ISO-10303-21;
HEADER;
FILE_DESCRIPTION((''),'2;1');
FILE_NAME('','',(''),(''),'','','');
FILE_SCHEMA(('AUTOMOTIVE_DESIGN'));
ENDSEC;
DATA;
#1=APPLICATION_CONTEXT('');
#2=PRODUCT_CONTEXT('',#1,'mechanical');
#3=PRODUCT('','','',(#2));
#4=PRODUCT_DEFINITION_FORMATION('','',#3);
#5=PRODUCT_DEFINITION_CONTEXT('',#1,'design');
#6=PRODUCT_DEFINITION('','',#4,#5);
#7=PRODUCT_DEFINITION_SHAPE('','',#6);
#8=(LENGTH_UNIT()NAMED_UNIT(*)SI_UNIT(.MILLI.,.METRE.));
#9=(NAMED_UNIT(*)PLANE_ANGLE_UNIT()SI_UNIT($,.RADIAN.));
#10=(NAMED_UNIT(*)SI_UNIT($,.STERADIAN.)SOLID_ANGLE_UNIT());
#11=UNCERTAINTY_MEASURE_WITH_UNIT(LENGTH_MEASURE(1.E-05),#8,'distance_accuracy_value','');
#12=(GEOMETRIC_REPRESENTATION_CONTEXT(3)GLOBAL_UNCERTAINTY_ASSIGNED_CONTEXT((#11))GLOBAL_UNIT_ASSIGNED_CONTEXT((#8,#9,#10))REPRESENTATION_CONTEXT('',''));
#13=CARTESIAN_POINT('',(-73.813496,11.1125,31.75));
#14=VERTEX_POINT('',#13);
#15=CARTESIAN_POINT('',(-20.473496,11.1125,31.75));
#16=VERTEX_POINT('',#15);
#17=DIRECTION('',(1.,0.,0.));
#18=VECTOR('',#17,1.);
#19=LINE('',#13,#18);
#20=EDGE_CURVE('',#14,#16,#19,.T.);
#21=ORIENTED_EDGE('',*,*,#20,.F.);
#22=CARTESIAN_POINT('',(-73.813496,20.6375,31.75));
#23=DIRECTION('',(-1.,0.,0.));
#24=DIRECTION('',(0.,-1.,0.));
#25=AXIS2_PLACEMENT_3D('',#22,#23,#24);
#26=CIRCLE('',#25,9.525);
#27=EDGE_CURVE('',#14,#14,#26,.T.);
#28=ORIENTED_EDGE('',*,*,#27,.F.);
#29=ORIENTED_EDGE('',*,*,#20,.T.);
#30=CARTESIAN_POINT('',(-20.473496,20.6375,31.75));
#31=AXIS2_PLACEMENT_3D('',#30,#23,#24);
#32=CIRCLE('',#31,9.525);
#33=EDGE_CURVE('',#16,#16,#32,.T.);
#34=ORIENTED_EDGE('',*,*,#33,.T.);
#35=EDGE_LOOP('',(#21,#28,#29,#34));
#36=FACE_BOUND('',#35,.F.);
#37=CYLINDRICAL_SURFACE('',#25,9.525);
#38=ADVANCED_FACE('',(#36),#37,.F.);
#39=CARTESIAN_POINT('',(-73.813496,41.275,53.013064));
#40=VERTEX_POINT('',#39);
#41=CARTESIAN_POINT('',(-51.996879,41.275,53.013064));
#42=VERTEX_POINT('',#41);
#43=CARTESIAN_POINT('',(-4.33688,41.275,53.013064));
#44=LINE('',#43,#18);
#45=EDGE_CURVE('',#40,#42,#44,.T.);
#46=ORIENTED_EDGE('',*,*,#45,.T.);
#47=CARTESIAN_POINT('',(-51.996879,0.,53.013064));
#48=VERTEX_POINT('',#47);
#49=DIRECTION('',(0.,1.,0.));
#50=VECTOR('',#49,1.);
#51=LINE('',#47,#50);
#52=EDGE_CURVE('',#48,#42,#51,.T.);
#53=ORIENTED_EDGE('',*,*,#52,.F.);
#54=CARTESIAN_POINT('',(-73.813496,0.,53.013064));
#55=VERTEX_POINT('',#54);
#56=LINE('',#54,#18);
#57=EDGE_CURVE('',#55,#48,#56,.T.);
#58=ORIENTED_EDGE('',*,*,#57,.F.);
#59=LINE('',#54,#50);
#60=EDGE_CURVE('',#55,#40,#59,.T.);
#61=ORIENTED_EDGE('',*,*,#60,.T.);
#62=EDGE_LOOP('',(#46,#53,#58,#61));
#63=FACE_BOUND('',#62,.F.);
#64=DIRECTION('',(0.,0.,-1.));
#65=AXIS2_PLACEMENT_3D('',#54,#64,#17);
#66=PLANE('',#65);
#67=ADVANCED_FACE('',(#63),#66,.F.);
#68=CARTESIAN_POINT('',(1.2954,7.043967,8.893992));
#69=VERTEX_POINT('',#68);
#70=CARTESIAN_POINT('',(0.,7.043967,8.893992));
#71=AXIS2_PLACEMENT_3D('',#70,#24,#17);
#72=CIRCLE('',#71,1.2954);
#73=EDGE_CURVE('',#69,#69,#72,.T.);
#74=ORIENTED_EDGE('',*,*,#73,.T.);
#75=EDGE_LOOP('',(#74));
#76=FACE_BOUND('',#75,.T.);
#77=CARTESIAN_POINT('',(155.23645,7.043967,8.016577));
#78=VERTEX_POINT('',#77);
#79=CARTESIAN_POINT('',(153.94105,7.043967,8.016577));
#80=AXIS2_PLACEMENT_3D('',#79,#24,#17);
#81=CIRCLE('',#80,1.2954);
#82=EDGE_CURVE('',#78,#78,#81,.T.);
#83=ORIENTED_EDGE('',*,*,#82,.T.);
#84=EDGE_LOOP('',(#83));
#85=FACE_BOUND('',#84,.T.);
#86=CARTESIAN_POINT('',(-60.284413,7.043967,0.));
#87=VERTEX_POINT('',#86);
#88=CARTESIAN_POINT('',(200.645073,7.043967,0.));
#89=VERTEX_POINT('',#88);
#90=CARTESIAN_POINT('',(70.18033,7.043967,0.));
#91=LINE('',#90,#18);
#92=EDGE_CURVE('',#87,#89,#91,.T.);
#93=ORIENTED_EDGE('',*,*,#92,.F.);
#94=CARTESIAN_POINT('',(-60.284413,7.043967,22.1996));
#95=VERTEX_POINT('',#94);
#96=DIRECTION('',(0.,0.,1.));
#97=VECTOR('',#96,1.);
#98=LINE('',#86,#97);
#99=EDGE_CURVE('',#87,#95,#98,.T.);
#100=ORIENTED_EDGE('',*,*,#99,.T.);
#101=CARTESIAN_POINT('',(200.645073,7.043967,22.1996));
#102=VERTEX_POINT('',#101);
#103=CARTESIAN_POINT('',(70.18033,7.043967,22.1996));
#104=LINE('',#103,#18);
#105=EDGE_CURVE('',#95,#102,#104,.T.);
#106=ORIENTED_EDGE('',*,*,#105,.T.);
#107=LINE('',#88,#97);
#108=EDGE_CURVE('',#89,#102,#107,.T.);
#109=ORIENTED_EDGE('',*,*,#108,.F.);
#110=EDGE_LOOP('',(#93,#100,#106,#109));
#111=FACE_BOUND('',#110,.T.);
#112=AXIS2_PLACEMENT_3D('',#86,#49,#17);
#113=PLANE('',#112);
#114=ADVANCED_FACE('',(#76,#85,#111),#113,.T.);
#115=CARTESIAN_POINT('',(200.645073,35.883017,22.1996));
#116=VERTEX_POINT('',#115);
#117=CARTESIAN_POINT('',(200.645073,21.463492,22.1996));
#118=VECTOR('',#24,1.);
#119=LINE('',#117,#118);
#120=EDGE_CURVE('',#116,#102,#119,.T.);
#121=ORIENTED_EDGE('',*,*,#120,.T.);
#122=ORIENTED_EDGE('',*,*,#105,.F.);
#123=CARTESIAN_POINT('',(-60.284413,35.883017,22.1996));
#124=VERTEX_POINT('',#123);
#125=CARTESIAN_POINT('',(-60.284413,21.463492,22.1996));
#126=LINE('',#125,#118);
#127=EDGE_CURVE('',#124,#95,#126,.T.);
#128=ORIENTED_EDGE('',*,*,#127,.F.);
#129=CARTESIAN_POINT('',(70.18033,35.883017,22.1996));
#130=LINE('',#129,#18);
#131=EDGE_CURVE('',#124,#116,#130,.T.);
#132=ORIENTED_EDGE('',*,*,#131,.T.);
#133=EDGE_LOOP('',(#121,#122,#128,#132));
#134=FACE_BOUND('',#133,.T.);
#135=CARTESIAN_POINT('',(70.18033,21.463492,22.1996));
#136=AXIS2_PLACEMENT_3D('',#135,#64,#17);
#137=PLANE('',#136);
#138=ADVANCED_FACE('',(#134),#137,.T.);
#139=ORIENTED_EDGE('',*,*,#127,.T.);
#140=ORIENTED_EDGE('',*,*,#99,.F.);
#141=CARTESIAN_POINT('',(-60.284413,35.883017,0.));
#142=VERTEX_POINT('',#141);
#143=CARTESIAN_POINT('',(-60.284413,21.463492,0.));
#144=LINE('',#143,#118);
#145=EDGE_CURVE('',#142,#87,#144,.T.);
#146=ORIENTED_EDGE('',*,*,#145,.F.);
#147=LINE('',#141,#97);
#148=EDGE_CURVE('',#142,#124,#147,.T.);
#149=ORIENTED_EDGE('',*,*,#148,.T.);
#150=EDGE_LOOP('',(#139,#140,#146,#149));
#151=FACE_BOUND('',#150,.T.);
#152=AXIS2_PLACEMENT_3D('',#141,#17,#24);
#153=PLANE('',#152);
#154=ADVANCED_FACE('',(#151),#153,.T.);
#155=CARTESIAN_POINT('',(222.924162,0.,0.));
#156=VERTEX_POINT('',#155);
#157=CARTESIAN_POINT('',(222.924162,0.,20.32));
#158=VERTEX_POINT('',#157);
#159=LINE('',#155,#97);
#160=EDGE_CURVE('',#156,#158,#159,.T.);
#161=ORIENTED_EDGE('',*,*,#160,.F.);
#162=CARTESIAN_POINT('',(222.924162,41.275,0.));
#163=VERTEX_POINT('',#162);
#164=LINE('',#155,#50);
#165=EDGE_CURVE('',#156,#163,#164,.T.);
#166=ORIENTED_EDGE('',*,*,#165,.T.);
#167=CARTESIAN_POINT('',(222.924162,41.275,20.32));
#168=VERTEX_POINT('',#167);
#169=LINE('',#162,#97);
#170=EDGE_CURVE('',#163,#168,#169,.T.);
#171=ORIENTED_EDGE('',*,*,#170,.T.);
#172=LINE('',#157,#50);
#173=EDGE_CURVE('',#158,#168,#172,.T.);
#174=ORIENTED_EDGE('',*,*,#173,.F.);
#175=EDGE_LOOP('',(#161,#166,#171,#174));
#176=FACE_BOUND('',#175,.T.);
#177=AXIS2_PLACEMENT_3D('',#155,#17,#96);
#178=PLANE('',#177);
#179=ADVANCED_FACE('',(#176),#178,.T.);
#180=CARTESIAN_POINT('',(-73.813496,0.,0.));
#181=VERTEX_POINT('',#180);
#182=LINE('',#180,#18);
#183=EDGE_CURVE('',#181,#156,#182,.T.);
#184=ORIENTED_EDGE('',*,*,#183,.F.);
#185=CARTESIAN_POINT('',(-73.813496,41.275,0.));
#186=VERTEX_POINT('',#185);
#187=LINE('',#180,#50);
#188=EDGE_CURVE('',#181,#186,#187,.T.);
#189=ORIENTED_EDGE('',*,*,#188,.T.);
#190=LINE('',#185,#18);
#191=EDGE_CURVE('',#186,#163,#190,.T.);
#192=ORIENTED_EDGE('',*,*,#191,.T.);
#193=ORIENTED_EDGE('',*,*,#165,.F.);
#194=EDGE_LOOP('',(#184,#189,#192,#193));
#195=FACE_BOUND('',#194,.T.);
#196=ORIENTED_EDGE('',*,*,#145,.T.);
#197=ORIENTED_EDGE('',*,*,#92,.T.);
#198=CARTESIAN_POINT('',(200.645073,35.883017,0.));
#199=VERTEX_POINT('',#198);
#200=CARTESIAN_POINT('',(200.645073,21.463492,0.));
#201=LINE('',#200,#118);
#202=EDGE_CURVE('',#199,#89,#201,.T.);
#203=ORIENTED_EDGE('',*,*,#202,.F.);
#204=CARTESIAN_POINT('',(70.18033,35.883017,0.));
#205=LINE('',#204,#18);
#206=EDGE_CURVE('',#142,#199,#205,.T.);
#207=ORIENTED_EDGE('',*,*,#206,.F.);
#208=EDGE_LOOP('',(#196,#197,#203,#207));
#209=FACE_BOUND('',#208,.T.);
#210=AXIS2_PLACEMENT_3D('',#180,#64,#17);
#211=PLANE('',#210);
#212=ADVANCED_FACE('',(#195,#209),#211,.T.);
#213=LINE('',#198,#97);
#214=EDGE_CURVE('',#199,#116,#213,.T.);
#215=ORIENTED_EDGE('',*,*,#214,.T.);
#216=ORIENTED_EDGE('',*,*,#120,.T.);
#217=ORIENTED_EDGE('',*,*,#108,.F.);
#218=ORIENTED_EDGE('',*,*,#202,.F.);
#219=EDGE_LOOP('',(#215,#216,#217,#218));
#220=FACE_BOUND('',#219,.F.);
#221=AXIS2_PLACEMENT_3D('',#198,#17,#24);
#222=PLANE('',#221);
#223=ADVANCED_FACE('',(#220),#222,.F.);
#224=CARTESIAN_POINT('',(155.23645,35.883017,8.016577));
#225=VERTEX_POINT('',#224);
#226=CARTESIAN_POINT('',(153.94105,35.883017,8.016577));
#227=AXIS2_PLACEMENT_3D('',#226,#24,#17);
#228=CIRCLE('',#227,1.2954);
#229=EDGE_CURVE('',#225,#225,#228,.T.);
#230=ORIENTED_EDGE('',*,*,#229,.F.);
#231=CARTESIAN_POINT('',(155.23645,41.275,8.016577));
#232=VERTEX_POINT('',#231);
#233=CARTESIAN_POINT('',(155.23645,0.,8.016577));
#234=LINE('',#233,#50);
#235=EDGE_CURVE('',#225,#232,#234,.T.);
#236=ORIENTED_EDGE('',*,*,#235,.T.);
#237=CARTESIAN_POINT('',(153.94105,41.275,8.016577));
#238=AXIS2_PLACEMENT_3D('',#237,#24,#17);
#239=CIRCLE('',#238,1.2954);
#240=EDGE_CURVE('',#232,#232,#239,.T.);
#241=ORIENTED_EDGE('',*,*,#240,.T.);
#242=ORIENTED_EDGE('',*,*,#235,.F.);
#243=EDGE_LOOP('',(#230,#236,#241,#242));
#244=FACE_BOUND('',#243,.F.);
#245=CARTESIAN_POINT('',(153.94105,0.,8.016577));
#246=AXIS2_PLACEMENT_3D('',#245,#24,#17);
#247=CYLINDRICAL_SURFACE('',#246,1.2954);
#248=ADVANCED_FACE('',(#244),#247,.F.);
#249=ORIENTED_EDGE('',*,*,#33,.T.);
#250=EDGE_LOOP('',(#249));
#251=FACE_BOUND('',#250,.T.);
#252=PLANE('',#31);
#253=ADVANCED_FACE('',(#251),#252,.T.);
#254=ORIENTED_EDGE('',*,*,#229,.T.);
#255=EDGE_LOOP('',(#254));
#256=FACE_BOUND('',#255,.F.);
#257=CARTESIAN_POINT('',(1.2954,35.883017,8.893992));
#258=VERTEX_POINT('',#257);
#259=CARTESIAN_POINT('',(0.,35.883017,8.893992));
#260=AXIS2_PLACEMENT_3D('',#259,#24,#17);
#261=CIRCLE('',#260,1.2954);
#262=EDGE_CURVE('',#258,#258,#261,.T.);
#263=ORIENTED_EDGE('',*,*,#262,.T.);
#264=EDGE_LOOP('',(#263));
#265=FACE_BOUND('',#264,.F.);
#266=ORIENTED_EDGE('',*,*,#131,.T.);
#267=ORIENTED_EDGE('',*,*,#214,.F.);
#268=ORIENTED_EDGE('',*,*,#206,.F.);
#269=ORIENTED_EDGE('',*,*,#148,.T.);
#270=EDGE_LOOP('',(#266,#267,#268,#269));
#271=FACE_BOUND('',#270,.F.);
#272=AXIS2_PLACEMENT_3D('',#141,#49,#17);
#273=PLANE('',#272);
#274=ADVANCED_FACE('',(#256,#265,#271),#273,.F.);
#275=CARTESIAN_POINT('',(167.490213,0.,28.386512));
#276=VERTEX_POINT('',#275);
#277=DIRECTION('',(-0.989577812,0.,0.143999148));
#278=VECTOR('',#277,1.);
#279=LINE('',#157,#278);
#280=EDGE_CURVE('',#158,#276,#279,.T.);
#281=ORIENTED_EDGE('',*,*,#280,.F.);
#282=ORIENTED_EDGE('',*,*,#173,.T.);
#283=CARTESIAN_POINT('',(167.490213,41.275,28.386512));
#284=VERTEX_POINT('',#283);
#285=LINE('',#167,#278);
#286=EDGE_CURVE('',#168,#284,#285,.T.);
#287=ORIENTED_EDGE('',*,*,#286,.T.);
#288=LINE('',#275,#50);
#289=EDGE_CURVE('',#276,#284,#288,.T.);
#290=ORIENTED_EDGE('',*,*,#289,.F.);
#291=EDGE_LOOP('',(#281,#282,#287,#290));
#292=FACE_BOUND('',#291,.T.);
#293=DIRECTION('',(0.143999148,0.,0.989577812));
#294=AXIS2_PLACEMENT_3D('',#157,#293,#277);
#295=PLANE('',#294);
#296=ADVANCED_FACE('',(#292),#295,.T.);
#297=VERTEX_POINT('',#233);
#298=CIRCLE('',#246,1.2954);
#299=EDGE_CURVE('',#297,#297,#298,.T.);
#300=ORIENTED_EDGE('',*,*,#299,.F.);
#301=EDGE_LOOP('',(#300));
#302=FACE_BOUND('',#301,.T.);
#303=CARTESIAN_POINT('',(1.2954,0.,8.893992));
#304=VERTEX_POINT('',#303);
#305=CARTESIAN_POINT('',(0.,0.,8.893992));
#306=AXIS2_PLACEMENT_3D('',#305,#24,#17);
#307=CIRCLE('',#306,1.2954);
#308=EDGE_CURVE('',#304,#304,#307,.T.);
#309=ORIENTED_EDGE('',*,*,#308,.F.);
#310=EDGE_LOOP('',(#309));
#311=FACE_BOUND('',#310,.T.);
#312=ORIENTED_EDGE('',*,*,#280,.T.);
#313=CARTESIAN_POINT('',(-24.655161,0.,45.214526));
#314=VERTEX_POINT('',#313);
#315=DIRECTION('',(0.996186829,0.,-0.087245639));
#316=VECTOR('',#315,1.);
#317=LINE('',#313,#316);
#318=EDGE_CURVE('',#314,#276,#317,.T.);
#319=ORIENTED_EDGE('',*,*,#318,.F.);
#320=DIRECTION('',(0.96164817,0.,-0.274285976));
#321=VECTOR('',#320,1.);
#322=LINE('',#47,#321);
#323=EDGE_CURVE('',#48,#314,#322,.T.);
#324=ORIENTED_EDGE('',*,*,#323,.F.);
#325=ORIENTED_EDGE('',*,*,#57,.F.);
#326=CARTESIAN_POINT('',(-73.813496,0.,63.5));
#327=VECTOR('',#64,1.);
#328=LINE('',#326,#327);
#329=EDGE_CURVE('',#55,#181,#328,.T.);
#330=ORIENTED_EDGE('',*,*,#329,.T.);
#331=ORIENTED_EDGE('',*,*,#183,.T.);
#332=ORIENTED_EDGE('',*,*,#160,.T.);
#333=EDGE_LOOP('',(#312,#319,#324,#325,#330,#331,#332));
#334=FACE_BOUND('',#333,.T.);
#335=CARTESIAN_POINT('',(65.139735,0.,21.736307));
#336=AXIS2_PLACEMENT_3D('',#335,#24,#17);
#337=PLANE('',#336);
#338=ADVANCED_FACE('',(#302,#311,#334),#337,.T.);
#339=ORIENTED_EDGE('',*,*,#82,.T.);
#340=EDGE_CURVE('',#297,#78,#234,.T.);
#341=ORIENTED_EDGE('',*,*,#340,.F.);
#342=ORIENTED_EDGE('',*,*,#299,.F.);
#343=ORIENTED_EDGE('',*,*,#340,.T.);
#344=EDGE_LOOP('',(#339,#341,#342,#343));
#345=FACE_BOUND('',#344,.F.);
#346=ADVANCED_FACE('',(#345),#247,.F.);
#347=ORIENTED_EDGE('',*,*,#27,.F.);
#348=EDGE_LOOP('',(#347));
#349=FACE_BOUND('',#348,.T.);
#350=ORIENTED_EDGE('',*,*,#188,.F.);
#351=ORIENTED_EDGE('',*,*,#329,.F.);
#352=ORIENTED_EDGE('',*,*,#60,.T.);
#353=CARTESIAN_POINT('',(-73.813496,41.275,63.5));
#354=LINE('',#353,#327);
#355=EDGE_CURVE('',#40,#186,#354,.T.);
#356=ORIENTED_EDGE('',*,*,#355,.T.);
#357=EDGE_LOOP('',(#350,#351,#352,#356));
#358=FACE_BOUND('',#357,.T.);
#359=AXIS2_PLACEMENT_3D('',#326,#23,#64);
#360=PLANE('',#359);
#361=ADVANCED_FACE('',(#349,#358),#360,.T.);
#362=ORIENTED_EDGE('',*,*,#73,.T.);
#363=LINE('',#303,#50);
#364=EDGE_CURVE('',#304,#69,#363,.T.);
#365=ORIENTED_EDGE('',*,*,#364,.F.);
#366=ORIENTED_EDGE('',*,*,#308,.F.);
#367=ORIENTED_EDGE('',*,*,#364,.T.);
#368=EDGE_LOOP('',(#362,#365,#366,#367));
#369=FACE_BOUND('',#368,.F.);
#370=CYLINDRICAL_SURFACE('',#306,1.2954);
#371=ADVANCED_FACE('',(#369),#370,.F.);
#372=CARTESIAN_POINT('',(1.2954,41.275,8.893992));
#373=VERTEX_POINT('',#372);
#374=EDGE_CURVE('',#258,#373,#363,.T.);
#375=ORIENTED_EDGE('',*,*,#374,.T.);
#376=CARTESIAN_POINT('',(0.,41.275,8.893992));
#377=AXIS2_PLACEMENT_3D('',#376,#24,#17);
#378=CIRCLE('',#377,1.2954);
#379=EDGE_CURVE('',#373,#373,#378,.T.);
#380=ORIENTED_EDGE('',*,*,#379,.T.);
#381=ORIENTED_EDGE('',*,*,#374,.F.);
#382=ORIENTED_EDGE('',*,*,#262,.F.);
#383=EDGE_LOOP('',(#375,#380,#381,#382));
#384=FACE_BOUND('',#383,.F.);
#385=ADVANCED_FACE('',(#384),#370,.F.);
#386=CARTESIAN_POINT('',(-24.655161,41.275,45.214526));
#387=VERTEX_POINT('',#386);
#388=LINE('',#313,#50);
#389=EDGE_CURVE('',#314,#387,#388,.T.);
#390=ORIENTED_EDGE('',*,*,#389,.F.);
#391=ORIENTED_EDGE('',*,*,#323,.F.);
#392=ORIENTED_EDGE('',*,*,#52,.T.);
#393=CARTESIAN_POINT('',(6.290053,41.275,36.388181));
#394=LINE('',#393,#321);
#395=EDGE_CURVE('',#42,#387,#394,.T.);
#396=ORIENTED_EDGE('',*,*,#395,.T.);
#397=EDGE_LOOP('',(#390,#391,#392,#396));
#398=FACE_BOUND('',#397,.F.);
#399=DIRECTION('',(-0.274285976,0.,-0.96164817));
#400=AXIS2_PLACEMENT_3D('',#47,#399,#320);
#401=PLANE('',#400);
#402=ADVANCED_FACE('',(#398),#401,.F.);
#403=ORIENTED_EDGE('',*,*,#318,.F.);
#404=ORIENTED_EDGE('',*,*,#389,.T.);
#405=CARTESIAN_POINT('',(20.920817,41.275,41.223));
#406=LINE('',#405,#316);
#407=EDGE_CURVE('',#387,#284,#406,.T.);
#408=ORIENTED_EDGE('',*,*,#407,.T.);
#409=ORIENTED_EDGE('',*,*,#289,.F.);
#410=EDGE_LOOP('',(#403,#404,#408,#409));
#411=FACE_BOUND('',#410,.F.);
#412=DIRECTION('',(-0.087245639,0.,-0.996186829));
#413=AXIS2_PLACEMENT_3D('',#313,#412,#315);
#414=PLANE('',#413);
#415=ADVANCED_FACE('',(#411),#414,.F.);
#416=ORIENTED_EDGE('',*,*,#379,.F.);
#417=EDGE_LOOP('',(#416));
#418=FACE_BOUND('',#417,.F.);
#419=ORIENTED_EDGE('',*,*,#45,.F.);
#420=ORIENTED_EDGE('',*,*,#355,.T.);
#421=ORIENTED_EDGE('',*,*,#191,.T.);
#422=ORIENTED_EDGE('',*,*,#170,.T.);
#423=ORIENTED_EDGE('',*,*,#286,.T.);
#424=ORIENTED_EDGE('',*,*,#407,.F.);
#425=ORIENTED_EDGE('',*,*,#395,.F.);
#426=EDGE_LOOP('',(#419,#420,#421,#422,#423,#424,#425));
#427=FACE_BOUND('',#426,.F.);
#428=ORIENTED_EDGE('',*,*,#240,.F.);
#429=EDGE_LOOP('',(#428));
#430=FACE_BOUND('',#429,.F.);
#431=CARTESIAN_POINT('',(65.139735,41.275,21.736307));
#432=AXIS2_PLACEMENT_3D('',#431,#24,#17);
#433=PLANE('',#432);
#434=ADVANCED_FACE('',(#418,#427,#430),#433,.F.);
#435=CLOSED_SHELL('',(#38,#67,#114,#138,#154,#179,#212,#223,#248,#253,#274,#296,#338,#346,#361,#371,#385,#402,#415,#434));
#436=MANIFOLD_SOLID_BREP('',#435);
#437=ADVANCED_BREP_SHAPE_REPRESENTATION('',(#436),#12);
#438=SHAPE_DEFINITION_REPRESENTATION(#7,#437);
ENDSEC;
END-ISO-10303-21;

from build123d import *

# Parameters (mm, degrees)
F1_DEPTH  = 41.275
F2_R      = 9.525
F3_DEPTH  = 53.34
F5_W      = 260.929487
F5_H      = 28.83905
F6_DEPTH  = 22.1996
F8_DEPTH  = 50.8
F9_R      = 1.2954
F10_DEPTH = 101.6
F11_R     = 1.2954
F12_DEPTH = 101.6


with BuildPart() as f1:
    # F0 (on Front) → F1 (new body)
    with BuildSketch(Plane.XZ):
        Polygon((-73.813496, 63.5), (-73.813496, 0), (222.924162, 0), (222.924162, 20.32), align=None)
    extrude(amount=-F1_DEPTH)

    # F2 (on face) → F3 (cut)
    with BuildSketch(Plane(origin=(-73.813496, 0, 0), x_dir=(0, -1, 0), z_dir=(-1, 0, 0))):
        with Locations((-20.6375, 31.75)):
            Circle(F2_R)
    extrude(amount=-F3_DEPTH, mode=Mode.SUBTRACT)

    # F5 (on face) → F6 (cut)
    with BuildSketch(Plane(origin=(0, 0, 0), x_dir=(1, 0, 0), z_dir=(0, 0, -1))):
        with Locations((70.18033, -21.463492)):
            Rectangle(F5_W, F5_H)
    extrude(amount=-F6_DEPTH, mode=Mode.SUBTRACT)

    # F7 (on face) → F8 (cut)
    with BuildSketch(Plane.XZ):
        Polygon((-24.655161, 45.214526), (167.490213, 28.386512), (-73.813496, 63.5), (-73.813496, 53.013064), (-51.996879, 53.013064), align=None)
    extrude(amount=-F8_DEPTH, mode=Mode.SUBTRACT)

    # F9 (on face) → F10 (cut)
    with BuildSketch(Plane.XZ):
        with Locations((0, 8.893992)):
            Circle(F9_R)
    extrude(amount=-F10_DEPTH, mode=Mode.SUBTRACT)

    # F11 (on face) → F12 (cut)
    with BuildSketch(Plane.XZ):
        with Locations((153.94105, 8.016577)):
            Circle(F11_R)
    extrude(amount=-F12_DEPTH, mode=Mode.SUBTRACT)


solid = f1.part
